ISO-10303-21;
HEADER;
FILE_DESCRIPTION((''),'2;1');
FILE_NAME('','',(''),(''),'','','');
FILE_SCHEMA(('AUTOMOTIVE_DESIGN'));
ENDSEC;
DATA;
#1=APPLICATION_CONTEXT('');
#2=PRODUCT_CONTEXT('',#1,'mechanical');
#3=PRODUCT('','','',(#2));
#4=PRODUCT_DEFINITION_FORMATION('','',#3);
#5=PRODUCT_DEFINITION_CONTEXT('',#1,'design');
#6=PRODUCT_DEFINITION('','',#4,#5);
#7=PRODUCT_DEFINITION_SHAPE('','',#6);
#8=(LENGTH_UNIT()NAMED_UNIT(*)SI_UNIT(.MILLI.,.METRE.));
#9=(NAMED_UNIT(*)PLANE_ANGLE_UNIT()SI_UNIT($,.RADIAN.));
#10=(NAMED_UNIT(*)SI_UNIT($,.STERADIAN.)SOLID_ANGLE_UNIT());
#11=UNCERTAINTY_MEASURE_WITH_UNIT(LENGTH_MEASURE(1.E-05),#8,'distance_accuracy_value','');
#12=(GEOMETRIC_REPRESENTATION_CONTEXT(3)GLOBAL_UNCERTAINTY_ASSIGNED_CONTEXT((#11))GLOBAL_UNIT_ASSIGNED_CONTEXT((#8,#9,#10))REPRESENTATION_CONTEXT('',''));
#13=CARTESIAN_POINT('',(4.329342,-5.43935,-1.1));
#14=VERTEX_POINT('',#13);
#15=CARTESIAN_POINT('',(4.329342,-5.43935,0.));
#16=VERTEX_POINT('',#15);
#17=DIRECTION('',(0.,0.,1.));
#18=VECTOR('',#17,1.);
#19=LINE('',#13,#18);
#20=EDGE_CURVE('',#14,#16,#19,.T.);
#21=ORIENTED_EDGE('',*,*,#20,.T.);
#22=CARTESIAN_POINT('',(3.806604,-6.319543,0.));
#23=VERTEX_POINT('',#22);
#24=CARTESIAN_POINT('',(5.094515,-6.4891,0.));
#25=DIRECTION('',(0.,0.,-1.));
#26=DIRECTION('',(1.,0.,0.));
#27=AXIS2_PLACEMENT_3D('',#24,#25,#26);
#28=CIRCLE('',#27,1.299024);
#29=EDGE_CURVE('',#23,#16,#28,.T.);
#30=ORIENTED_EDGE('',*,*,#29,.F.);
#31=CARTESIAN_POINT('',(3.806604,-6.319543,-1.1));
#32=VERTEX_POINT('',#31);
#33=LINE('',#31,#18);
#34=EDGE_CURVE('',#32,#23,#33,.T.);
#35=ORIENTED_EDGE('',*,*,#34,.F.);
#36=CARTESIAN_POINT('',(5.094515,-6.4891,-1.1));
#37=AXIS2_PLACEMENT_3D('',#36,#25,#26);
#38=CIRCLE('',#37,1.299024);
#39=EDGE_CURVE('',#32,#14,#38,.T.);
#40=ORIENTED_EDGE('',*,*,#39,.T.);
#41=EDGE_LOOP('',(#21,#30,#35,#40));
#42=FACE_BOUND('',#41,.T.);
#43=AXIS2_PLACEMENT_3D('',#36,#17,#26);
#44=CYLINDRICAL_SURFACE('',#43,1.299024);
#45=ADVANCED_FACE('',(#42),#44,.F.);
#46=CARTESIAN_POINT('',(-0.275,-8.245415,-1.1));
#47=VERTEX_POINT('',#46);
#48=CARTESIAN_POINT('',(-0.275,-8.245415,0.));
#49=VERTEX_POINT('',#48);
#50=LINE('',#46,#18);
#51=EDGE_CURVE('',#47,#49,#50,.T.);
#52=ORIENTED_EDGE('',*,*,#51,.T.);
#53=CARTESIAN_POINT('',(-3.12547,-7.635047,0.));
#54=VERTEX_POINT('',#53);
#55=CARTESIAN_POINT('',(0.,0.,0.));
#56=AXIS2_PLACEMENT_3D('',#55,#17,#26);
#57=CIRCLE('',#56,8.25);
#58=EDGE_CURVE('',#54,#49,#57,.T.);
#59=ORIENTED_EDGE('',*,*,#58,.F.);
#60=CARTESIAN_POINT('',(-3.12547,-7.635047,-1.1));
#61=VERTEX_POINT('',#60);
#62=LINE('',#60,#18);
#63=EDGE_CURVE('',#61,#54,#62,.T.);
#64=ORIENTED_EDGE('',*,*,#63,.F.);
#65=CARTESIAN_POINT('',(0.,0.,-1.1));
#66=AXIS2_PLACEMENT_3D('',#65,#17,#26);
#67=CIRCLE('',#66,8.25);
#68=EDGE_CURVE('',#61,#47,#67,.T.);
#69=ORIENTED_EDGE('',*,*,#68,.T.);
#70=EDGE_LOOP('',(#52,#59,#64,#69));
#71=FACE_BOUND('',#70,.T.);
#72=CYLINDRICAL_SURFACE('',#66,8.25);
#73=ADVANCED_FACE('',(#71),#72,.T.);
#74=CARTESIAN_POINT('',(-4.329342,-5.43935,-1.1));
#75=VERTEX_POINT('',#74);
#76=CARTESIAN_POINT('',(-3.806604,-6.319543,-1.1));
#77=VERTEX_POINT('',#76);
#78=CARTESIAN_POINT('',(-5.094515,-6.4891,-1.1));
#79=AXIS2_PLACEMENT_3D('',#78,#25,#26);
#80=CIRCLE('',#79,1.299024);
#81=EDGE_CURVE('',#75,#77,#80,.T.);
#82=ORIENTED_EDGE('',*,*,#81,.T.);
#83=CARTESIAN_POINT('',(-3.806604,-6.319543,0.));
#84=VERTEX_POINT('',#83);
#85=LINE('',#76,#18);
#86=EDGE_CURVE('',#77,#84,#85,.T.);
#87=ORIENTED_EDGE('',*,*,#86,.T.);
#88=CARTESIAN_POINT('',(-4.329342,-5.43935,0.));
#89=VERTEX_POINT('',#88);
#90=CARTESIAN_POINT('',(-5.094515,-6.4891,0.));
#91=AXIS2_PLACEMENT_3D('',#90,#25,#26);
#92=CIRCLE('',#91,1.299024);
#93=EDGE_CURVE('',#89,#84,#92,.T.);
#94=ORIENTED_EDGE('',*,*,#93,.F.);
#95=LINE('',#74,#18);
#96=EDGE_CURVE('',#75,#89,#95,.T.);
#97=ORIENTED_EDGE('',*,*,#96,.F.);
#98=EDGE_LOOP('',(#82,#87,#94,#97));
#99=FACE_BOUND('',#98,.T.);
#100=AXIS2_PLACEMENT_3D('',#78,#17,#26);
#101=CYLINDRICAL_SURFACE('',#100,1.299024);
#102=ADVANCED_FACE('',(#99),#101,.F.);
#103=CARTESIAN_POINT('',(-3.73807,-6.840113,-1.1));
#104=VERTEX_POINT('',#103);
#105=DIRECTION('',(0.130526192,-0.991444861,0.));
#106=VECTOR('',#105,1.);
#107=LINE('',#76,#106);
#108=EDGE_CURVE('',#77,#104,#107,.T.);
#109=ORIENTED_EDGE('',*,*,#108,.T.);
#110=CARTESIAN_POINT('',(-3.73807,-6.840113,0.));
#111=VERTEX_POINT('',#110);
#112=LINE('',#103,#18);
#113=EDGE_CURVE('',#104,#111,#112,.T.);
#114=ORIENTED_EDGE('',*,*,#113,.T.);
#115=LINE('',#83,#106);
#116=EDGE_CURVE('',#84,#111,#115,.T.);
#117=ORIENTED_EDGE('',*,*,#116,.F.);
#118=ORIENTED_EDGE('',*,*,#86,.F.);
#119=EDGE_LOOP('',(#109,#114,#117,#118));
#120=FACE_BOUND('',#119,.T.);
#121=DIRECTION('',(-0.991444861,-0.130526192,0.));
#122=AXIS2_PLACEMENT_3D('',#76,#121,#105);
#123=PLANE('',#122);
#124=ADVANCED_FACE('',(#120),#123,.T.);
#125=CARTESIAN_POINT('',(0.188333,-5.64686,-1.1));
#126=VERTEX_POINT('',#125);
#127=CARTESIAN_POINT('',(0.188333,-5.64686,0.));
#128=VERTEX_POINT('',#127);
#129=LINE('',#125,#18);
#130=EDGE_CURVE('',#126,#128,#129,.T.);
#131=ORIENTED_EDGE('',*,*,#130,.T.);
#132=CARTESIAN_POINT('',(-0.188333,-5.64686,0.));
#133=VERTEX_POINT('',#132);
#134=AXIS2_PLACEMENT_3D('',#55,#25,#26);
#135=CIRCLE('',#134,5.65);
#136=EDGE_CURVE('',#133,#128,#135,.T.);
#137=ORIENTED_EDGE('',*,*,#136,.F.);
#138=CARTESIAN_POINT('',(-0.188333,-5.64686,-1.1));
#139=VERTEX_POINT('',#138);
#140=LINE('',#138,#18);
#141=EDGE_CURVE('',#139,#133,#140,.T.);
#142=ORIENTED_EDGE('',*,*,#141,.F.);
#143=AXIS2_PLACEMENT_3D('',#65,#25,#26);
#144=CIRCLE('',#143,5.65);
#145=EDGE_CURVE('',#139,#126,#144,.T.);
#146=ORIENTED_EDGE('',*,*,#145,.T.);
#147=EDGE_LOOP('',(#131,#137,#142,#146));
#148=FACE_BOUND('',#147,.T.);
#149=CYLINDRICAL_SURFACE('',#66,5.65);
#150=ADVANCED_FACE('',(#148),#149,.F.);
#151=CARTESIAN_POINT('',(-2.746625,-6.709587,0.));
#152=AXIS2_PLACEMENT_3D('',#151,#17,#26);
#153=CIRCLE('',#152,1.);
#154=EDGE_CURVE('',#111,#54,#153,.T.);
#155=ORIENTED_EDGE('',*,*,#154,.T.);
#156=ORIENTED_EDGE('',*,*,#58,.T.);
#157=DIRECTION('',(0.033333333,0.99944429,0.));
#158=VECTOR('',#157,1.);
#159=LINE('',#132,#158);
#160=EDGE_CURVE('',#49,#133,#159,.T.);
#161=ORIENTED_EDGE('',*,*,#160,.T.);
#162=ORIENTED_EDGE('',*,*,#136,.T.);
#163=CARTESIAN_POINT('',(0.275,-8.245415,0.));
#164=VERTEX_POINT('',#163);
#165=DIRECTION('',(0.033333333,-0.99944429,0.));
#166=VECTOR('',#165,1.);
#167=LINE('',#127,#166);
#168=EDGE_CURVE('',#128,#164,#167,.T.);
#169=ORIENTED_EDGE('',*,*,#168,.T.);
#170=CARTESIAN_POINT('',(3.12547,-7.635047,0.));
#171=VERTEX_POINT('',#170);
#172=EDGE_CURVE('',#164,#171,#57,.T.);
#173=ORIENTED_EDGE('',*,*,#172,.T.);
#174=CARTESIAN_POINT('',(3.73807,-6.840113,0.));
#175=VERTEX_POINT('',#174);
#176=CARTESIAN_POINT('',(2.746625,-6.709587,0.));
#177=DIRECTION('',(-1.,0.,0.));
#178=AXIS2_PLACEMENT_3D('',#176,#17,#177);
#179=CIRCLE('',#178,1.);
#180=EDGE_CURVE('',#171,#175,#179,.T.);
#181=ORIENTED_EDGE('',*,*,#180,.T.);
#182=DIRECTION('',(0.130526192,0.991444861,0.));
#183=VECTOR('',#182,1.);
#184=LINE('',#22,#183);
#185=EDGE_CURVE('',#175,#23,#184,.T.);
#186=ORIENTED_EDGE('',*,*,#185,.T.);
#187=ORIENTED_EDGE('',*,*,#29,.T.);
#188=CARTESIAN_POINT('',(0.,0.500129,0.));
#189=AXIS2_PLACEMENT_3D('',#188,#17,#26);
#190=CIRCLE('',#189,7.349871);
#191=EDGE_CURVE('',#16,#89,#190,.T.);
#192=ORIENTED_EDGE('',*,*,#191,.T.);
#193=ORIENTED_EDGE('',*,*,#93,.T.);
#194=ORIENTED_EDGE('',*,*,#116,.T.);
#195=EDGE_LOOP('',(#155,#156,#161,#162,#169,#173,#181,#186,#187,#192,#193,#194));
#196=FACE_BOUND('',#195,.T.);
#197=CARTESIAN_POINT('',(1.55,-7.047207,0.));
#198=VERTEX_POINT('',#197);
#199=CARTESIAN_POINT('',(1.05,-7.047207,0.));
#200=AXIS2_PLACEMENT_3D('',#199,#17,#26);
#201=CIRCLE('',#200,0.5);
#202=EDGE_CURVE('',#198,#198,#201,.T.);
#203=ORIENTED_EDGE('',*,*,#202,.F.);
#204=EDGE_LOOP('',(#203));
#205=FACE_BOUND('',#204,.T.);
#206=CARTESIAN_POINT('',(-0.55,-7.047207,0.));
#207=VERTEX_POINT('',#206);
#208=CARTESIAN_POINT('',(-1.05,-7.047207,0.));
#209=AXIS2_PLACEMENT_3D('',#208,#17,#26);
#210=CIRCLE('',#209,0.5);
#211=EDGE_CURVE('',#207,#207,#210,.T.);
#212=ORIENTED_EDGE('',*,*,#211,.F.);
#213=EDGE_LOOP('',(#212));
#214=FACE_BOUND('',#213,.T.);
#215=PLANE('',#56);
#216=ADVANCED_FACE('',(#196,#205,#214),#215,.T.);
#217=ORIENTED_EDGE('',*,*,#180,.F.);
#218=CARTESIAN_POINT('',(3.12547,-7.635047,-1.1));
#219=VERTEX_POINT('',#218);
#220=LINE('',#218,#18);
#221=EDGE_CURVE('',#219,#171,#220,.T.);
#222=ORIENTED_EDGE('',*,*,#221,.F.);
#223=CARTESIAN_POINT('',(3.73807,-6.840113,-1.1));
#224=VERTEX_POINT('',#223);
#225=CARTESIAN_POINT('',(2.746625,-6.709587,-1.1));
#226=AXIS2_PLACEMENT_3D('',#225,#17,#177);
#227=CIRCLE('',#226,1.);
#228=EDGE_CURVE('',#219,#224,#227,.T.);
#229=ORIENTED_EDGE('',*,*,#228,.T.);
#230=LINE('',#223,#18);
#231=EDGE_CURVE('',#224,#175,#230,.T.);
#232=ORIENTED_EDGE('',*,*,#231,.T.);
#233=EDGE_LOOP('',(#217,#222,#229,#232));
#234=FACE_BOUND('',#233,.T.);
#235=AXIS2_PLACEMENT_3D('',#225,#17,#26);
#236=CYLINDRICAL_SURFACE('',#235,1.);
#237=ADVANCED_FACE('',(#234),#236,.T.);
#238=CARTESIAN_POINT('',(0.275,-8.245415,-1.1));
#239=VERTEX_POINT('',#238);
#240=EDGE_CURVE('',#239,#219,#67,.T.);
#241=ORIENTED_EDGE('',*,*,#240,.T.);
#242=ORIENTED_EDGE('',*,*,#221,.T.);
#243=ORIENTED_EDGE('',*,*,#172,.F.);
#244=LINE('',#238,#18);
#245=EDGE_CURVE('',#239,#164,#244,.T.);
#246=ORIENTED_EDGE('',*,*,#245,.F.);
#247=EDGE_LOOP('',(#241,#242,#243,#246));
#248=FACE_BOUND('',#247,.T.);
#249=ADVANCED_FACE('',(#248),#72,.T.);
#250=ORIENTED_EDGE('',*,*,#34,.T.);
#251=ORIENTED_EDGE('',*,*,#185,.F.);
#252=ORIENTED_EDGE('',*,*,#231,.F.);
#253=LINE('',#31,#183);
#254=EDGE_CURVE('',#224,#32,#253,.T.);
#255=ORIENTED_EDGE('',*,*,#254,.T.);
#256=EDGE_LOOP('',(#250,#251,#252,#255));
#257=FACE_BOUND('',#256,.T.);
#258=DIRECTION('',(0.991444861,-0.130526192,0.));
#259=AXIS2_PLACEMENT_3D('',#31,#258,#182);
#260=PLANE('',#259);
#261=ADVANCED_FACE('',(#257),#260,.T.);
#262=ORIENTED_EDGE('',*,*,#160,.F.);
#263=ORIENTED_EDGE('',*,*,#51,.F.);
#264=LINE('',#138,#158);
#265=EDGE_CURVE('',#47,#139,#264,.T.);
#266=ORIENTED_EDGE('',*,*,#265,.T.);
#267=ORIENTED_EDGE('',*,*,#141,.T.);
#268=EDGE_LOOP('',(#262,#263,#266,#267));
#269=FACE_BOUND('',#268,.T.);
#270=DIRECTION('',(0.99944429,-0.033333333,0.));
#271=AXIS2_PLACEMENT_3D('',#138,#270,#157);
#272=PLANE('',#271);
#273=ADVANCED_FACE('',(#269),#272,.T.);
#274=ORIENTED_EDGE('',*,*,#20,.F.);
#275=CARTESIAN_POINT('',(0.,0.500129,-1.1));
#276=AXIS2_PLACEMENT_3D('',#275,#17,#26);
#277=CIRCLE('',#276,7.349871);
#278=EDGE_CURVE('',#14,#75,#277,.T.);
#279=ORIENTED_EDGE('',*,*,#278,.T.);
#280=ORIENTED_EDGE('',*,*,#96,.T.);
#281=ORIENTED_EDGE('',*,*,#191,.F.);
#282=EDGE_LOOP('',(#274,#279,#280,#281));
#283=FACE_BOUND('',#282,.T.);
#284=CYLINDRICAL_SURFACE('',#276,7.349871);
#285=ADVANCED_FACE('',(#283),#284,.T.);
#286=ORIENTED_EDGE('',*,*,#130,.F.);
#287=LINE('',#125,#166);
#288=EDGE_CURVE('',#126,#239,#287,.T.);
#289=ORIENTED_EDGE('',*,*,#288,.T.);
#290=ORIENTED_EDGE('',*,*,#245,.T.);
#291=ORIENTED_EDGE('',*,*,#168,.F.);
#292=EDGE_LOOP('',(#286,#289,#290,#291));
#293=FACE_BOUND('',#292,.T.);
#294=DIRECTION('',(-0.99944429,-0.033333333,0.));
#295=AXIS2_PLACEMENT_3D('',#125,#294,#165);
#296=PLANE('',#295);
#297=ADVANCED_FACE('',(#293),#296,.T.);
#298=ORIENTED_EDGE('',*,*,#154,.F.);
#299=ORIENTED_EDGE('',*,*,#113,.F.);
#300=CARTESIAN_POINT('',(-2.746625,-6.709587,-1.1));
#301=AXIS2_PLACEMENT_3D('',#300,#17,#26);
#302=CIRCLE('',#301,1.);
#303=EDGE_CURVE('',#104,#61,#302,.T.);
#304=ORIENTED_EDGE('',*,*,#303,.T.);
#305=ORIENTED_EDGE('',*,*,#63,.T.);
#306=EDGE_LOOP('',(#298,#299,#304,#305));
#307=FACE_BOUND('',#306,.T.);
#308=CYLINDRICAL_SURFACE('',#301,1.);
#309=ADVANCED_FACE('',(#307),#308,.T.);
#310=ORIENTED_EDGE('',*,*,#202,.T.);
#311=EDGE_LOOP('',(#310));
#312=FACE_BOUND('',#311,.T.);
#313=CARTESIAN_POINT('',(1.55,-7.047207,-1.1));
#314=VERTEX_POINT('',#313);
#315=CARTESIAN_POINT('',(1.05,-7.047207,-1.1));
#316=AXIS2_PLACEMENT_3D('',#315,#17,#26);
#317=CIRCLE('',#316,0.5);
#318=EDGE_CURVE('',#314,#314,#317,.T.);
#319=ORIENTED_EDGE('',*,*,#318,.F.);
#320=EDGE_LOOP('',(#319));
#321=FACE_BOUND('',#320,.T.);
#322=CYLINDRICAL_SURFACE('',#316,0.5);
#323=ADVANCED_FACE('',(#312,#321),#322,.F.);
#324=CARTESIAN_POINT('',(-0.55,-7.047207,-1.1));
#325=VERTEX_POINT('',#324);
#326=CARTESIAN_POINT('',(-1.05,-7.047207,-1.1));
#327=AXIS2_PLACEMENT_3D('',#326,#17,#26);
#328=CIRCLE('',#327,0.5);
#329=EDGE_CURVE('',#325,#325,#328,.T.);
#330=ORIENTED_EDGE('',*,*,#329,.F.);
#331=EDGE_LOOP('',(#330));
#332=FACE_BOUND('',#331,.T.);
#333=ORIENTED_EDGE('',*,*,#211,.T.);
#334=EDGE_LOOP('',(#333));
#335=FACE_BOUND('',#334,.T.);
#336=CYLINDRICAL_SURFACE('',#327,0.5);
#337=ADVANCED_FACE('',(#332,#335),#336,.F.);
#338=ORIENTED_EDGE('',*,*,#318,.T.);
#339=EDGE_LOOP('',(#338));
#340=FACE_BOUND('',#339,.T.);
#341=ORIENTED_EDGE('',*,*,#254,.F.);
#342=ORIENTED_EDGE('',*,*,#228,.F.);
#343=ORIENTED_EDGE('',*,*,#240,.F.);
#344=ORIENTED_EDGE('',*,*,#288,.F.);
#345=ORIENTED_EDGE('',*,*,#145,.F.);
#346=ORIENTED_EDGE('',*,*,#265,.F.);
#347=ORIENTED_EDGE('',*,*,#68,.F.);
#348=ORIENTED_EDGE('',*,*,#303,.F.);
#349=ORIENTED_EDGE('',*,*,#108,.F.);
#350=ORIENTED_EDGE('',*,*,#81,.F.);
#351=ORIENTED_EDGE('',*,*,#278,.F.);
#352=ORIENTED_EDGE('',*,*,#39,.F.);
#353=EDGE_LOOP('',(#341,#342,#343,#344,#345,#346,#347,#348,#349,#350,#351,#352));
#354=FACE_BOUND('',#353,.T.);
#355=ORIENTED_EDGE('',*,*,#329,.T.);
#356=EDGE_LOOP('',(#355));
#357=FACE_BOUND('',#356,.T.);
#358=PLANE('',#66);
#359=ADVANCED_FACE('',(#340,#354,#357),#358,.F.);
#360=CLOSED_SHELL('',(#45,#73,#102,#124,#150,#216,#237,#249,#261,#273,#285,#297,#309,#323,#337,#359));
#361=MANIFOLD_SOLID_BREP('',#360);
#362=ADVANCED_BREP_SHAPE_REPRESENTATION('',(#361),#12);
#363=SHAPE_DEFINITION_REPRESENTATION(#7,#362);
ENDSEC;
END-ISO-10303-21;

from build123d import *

# Parameters (mm, degrees)
BODYSKE_R  = 0.5
BODY_DEPTH = 1.1


with BuildPart() as part:
    # BodySke → Body (new body)
    with BuildSketch(Plane.XY):
        with BuildLine():
            Line((0.188333333, -5.646860239), (0.275, -8.245415393))
            ThreePointArc((0.275, -8.245415393), (1.727407261, -8.067128619), (3.12546961, -7.635046805))
            ThreePointArc((3.12546961, -7.635046805), (3.538712851, -7.319993445), (3.73806967, -6.840112779))
            Line((3.73806967, -6.840112779), (3.806603957, -6.319543188))
            ThreePointArc((3.806603957, -6.319543188), (3.977611555, -5.825781706), (4.329342258, -5.439349937))
            ThreePointArc((4.329342258, -5.439349937), (0, 7.85), (-4.329342258, -5.439349937))
            ThreePointArc((-4.329342258, -5.439349937), (-3.977611555, -5.825781706), (-3.806603957, -6.319543188))
            Line((-3.806603957, -6.319543188), (-3.73806967, -6.840112779))
            ThreePointArc((-3.73806967, -6.840112779), (-3.538712851, -7.319993445), (-3.12546961, -7.635046805))
            ThreePointArc((-3.12546961, -7.635046805), (-1.727407261, -8.067128619), (-0.275, -8.245415393))
            Line((-0.275, -8.245415393), (-0.188333333, -5.646860239))
            ThreePointArc((-0.188333333, -5.646860239), (0, 5.65), (0.188333333, -5.646860239))
        make_face()
        with Locations((1.05, -7.047206894)):
            Circle(BODYSKE_R, mode=Mode.SUBTRACT)
        with Locations((-1.05, -7.047206894)):
            Circle(BODYSKE_R, mode=Mode.SUBTRACT)
    extrude(amount=-BODY_DEPTH)


solid = part.part
